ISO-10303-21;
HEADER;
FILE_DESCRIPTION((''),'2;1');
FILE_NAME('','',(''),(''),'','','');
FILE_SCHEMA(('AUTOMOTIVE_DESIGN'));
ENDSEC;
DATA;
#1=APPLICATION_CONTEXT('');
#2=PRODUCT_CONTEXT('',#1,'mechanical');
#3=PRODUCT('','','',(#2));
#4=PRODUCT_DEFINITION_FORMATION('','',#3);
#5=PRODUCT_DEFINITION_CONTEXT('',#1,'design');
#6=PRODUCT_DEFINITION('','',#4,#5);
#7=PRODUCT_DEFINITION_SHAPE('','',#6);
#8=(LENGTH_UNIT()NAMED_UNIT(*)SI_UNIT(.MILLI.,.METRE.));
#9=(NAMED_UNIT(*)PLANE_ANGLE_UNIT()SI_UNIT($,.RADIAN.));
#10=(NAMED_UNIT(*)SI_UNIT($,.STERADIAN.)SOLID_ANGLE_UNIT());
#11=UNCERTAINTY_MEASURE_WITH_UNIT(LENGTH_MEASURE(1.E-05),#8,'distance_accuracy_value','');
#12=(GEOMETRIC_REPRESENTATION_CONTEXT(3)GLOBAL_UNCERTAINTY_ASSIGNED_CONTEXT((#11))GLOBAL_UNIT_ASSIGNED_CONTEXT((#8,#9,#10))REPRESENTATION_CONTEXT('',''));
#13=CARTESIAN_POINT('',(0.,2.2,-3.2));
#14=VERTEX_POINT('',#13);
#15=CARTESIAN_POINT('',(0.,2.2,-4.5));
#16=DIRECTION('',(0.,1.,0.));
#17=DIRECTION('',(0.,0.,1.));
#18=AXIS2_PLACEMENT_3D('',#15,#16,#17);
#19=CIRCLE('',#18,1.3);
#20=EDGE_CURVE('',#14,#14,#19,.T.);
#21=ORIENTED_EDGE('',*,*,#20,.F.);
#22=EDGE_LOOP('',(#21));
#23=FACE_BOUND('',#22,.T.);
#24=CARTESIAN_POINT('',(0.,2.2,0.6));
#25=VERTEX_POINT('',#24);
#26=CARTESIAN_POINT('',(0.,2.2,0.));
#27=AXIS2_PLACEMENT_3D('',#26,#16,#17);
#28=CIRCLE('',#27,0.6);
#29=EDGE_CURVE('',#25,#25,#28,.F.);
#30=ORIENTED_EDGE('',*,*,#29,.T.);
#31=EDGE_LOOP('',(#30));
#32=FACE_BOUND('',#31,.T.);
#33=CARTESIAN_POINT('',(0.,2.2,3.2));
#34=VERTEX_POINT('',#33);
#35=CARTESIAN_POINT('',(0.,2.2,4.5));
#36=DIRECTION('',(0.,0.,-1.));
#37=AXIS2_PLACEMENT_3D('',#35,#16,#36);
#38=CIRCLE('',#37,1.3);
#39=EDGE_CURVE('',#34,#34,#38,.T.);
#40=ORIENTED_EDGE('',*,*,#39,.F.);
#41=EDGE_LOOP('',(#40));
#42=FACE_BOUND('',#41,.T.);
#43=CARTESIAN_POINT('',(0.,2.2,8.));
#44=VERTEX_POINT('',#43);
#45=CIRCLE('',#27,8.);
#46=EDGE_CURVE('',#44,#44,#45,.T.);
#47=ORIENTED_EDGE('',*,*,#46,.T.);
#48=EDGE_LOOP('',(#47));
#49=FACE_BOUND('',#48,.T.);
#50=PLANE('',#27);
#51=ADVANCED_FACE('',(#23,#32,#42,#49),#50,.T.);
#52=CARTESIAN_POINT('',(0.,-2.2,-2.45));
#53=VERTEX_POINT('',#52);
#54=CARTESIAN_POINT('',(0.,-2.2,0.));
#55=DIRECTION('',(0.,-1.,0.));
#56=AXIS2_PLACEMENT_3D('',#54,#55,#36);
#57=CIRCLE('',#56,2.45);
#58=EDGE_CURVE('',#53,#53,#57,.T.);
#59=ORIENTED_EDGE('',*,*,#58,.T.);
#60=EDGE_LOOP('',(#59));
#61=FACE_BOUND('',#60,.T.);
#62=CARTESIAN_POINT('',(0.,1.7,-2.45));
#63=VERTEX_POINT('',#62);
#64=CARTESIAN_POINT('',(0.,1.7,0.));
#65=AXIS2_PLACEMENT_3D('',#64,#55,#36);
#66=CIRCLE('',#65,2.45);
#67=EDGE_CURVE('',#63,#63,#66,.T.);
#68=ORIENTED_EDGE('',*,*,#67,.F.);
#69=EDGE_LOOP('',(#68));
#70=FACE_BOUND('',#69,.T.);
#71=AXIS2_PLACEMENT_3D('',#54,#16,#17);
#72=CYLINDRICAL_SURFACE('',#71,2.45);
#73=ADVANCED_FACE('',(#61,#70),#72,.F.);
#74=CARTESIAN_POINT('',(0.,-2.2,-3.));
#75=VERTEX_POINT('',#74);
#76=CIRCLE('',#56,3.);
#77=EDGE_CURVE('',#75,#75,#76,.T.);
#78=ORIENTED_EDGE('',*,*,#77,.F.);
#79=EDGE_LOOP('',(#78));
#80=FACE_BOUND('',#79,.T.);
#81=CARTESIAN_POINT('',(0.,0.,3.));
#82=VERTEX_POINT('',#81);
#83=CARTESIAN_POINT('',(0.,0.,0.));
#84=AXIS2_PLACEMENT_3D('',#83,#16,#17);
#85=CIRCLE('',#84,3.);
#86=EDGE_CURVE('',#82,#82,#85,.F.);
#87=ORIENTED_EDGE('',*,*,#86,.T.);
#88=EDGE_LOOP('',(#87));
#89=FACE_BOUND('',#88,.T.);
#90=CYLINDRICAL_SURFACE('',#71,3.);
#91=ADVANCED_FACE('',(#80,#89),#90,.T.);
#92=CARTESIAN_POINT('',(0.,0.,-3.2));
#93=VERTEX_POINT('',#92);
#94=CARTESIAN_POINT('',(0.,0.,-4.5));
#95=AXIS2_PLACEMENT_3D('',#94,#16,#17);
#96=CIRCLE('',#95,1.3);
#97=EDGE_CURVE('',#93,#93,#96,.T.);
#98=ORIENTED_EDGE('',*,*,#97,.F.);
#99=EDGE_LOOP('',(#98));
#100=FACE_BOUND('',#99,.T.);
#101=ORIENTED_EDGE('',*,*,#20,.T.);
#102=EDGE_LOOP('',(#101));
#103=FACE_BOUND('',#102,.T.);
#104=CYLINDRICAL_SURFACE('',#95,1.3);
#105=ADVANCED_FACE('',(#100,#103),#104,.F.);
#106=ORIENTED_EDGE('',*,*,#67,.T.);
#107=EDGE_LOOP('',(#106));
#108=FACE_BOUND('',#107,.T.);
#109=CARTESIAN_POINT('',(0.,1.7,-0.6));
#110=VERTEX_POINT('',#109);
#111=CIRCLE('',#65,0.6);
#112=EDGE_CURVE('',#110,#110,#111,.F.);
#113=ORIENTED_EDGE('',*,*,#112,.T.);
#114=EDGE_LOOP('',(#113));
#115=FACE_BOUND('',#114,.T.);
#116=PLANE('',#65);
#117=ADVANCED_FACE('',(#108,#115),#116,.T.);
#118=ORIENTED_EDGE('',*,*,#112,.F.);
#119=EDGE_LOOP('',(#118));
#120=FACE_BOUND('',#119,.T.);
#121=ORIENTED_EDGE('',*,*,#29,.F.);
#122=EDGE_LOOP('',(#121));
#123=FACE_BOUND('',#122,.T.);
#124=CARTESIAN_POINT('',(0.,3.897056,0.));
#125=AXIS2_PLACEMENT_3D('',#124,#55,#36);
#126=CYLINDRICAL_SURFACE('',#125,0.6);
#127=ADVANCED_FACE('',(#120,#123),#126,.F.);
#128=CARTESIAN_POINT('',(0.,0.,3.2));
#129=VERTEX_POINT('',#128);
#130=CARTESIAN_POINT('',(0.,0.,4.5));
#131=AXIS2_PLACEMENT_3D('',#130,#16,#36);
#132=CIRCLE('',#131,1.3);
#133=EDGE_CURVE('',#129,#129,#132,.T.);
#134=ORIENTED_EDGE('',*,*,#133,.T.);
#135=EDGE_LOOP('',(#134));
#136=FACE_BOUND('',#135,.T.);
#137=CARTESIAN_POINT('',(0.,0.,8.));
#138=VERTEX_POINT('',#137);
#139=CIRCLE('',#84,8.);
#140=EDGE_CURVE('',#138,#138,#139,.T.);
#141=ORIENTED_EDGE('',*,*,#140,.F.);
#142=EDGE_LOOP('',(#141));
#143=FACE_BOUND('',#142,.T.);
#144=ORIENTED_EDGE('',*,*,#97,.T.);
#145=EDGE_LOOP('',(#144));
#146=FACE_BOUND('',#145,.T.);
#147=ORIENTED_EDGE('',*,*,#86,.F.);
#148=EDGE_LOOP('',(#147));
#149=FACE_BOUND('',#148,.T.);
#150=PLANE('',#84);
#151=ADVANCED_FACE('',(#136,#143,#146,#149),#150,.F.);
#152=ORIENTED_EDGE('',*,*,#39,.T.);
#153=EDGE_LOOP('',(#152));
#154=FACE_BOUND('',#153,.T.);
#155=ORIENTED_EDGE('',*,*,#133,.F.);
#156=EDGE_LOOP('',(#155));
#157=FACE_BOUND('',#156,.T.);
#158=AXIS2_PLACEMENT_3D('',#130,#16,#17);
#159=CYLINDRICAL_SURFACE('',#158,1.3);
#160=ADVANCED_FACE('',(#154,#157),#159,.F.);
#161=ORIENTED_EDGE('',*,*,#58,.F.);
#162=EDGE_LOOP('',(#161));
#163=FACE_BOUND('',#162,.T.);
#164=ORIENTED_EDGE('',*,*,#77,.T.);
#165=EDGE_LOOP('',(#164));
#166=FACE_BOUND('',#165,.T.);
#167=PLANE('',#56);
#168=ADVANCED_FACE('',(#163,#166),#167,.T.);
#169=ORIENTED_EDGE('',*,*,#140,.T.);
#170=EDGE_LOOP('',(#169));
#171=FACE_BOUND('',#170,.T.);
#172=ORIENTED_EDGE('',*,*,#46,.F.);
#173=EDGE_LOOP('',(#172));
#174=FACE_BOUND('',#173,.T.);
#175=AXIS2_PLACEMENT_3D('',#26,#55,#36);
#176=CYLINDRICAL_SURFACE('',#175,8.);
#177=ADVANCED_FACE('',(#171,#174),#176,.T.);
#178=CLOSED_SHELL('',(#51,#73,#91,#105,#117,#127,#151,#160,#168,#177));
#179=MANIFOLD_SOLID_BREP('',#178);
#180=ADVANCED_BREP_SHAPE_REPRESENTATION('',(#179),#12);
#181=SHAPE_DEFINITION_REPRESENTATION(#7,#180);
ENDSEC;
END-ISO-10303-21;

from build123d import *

# Parameters (mm, degrees)
SKETCH1_R           = 8
BOSS_EXTRUDE1_DEPTH = 2.2
SKETCH2_R           = 1.3
CUT_EXTRUDE1_DEPTH  = 2.2
SKETCH3_R           = 3
SKETCH3_R_2         = 2.45
BOSS_EXTRUDE2_DEPTH = 2.2
SKETCH8_R           = 0.6
CUT_EXTRUDE7_DEPTH  = 2.2
CUT_EXTRUDE8_START  = -1.7
SKETCH9_R           = 2.45
CUT_EXTRUDE8_DEPTH  = 1.7


with BuildPart() as part:
    # Sketch1 → Boss-Extrude1 (new body)
    with BuildSketch(Plane(origin=(0, 0, 0), x_dir=(1, 0, 0), z_dir=(0, 1, 0))):
        with Locations(Location((0, 0, 0), (0, 0, 270))):
            Circle(SKETCH1_R)
    extrude(amount=BOSS_EXTRUDE1_DEPTH)

    # Sketch2 → Cut-Extrude1 (cut)
    with BuildSketch(Plane(origin=(0, 2.2, 0), x_dir=(1, 0, 0), z_dir=(0, 1, 0))):
        with Locations(Location((0, 4.5, 0), (0, 0, 270))):
            Circle(SKETCH2_R)
        with Locations(Location((0, -4.5, 0), (0, 0, 90))):
            Circle(SKETCH2_R)
    extrude(amount=-CUT_EXTRUDE1_DEPTH, mode=Mode.SUBTRACT)

    # Sketch3 → Boss-Extrude2 (add)
    with BuildSketch(Plane.XZ):
        with Locations(Location((0, 0, 0), (0, 0, 90))):
            Circle(SKETCH3_R)
        with Locations(Location((0, 0, 0), (0, 0, 270))):
            Circle(SKETCH3_R_2, mode=Mode.SUBTRACT)
    extrude(amount=BOSS_EXTRUDE2_DEPTH)

    # Sketch8 → Cut-Extrude7 (cut)
    with BuildSketch(Plane.XZ):
        with Locations(Location((0, 0, 0), (0, 0, 270))):
            Circle(SKETCH8_R)
    extrude(amount=-CUT_EXTRUDE7_DEPTH, mode=Mode.SUBTRACT)

    # Sketch9 → Cut-Extrude8 (cut)
    with BuildSketch(Plane.XZ.offset(CUT_EXTRUDE8_START)):
        with Locations(Location((0, 0, 0), (0, 0, 270))):
            Circle(SKETCH9_R)
    extrude(amount=CUT_EXTRUDE8_DEPTH, mode=Mode.SUBTRACT)


solid = part.part
